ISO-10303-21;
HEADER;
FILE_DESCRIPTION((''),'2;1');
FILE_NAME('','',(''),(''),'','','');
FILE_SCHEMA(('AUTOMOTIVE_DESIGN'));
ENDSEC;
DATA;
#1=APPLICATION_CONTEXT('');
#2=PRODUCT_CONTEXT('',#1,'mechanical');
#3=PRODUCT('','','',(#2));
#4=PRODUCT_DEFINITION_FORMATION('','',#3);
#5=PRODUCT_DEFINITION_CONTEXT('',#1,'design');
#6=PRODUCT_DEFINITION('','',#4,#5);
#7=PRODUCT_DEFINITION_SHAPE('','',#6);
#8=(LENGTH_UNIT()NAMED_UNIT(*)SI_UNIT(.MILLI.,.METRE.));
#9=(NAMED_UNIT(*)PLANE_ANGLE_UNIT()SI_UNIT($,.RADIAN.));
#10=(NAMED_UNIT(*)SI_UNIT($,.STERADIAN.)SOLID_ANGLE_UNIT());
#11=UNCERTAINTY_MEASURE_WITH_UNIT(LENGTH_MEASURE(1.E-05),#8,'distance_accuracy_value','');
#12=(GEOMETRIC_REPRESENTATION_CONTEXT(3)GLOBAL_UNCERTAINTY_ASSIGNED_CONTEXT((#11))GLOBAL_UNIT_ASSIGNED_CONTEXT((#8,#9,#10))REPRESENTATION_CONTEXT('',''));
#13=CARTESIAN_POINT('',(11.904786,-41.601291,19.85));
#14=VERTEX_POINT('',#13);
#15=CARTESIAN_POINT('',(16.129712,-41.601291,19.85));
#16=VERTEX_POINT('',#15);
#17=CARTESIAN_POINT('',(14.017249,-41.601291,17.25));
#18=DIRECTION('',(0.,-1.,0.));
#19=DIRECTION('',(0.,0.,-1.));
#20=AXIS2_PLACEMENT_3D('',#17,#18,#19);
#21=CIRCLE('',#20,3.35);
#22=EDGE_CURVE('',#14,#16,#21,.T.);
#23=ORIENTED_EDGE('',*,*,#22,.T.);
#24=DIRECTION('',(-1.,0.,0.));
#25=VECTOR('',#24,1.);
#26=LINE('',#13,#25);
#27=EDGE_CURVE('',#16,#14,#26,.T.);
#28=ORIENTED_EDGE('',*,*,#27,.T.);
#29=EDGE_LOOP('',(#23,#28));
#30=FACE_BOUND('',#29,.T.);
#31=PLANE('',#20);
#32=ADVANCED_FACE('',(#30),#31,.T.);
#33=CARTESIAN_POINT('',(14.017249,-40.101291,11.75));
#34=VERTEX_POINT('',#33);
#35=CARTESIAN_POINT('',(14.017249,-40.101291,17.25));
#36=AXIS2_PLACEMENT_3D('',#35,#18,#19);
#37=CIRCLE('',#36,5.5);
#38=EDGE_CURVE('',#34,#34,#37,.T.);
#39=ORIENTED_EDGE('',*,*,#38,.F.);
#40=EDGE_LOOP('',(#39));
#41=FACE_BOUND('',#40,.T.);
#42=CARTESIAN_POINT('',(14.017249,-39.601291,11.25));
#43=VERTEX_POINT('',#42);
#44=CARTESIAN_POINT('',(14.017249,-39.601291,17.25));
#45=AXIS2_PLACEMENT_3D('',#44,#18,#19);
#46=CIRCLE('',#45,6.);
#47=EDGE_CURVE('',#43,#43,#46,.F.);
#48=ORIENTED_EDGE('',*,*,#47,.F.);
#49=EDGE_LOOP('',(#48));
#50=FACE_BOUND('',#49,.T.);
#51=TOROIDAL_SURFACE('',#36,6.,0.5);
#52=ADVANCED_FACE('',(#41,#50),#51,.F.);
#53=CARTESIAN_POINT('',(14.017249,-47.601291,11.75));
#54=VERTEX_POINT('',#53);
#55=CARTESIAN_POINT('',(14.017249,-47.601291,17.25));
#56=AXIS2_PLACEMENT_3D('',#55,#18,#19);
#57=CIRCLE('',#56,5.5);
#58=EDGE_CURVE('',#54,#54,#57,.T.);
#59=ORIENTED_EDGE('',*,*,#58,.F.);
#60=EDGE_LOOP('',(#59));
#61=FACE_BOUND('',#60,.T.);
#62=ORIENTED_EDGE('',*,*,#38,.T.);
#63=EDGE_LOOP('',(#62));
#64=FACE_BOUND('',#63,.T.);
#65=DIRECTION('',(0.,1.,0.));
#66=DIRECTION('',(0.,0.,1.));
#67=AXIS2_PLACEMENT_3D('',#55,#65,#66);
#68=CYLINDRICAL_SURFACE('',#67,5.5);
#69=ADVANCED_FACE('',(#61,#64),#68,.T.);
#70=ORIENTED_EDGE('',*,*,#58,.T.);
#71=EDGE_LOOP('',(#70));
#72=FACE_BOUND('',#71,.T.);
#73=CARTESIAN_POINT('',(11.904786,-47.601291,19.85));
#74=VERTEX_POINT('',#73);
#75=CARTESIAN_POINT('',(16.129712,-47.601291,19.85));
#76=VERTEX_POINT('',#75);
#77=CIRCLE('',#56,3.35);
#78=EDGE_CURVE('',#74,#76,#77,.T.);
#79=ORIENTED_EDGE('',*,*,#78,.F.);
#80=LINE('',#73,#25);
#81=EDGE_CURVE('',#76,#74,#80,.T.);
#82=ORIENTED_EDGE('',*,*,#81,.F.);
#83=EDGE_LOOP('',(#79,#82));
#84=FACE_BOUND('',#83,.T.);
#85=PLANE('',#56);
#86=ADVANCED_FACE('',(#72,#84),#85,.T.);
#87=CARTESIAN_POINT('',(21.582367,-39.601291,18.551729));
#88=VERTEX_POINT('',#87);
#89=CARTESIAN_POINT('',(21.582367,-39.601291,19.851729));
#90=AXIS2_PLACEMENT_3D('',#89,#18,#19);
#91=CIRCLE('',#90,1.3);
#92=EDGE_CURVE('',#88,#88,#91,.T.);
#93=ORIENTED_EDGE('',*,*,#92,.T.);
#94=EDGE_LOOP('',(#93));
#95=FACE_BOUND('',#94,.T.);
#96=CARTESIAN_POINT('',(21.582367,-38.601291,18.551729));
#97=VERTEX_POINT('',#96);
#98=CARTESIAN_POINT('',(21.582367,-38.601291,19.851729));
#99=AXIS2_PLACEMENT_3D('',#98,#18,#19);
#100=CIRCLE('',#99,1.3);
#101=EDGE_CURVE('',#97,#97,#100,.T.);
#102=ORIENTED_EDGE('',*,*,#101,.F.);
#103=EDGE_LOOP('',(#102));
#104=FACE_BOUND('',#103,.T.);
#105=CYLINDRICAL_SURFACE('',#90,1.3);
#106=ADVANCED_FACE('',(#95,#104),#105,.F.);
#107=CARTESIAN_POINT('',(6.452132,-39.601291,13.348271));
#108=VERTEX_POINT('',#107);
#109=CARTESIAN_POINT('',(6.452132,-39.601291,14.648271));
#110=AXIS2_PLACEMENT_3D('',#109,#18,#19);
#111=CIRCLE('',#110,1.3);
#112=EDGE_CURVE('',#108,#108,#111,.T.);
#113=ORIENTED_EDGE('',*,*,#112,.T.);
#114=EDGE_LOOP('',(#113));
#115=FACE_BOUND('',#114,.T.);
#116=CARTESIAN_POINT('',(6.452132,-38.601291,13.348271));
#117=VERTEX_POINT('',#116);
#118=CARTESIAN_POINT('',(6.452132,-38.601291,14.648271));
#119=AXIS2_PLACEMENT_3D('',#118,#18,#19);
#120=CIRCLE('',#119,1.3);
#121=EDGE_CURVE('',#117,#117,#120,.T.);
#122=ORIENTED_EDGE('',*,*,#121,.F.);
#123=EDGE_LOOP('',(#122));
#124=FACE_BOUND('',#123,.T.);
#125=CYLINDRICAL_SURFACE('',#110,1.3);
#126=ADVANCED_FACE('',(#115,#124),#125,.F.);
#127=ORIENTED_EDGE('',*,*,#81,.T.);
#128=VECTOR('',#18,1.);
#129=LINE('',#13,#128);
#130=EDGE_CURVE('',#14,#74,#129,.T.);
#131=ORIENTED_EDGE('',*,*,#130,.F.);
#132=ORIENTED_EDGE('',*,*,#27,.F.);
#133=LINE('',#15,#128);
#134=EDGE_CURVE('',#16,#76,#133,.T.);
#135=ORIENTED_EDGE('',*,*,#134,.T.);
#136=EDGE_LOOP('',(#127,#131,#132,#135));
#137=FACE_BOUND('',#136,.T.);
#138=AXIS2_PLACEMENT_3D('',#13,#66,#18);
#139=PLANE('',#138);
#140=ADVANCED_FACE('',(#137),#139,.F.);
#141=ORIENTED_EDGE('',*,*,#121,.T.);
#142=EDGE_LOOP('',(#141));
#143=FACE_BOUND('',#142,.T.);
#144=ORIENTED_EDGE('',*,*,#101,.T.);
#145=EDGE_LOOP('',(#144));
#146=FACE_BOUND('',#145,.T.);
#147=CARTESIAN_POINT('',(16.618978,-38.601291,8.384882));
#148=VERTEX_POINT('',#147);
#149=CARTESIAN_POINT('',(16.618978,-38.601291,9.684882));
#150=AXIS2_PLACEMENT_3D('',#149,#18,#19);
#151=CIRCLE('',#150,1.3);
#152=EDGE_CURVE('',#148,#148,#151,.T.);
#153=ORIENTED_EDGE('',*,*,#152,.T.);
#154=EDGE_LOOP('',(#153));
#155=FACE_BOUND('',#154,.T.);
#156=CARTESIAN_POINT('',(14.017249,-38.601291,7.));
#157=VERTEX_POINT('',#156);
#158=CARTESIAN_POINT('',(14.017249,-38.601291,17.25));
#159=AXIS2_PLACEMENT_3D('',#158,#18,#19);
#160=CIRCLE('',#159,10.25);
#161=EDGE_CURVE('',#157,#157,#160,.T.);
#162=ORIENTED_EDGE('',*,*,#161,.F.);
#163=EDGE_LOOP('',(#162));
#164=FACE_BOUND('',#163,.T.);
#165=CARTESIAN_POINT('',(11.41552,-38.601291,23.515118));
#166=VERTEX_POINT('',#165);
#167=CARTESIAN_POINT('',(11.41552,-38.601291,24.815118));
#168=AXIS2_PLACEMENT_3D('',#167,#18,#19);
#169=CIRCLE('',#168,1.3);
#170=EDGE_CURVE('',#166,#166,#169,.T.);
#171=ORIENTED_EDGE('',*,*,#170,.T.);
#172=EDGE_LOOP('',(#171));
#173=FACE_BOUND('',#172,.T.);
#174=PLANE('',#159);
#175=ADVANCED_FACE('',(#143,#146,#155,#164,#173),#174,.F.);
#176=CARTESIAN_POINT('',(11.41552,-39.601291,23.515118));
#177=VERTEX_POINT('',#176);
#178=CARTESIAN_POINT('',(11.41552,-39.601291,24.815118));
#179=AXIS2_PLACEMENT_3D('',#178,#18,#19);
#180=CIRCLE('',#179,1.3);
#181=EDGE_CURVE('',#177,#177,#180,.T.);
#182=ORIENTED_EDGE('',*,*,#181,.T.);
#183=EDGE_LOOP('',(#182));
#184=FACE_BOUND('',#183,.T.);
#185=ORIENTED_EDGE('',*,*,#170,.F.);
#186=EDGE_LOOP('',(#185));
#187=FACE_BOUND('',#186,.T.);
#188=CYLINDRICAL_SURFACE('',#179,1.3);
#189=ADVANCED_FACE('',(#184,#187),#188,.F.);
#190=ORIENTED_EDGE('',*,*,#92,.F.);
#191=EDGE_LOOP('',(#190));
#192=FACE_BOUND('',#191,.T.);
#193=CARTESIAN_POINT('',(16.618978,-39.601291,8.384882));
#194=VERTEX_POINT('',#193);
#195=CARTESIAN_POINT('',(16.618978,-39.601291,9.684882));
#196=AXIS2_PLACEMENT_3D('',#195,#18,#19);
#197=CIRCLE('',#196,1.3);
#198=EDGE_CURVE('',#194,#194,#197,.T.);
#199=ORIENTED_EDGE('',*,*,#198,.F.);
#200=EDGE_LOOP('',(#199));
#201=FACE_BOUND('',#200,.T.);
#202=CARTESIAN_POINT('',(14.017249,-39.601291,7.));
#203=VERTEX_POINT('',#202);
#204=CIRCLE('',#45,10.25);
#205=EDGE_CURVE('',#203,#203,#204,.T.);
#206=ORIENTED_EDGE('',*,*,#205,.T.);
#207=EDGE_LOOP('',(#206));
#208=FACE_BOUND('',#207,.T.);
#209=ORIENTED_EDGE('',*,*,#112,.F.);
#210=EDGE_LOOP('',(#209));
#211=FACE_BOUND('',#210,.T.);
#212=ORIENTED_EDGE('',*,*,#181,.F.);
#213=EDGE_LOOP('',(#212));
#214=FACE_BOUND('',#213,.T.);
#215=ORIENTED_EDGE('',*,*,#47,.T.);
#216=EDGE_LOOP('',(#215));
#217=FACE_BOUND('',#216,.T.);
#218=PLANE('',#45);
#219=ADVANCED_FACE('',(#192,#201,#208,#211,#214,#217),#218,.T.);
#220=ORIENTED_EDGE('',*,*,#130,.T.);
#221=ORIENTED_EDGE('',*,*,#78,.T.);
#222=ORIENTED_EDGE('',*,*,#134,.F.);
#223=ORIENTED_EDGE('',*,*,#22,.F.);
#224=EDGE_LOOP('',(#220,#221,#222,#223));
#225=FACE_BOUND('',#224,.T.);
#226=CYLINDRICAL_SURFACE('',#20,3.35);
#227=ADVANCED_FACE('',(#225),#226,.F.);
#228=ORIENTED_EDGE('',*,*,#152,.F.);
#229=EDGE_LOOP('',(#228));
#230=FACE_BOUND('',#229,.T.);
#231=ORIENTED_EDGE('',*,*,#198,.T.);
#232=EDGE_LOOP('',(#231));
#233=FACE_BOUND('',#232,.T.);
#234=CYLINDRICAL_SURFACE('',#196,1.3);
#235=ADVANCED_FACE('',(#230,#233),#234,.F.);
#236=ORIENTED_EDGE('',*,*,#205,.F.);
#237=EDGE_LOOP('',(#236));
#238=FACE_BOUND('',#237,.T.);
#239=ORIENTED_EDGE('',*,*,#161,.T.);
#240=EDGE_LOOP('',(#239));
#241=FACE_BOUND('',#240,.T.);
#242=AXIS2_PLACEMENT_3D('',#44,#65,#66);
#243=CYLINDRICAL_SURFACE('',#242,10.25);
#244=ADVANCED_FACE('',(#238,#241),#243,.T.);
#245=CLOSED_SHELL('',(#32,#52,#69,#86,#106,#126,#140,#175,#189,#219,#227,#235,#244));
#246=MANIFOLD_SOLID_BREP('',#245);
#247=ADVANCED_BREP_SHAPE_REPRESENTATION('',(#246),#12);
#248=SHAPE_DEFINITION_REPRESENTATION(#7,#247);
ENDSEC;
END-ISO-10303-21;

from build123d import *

# Parameters (mm, degrees)
ESQUISSE1_R                  = 10.25
BOSS_EXTRU_1_DEPTH           = 1
D_GAGEMENT_M21_D             = 2.6
R_P_TITION_CIRCULAIRE1_COUNT = 4
ESQUISSE9_R                  = 5.5
BOSS_EXTRU_4_DEPTH           = 8
ENL_V_MAT_EXTRU_1_DEPTH      = 6
CONG_1_R                     = 0.5


with BuildPart() as part:
    # Esquisse1 → Boss.-Extru.1 (new body)
    with BuildSketch(Plane.XZ.offset(38.601290575)):
        with Locations(Location((14.017249305, 17.25, 0), (0, 0, 270))):
            Circle(ESQUISSE1_R)
    extrude(amount=BOSS_EXTRU_1_DEPTH)

    # Dégagement M21 (through all)
    with Locations(Plane(origin=(0, -39.601290575, 0), x_dir=(-1, 0, 0), z_dir=(0, -1, 0))):
        with Locations((-11.415520349, -24.815117741)):
            d_gagement_m21 = Hole(D_GAGEMENT_M21_D / 2)

    # Répétition circulaire1: Dégagement M21 ×4 about axis
    r_p_tition_circulaire1_axis = Axis((14.017249305, 0, 17.25), (0, 1, 0))
    for i in range(1, R_P_TITION_CIRCULAIRE1_COUNT):
        add(d_gagement_m21.rotate(r_p_tition_circulaire1_axis, i * 360 / R_P_TITION_CIRCULAIRE1_COUNT), mode=Mode.SUBTRACT)

    # Esquisse9 → Boss.-Extru.4 (add)
    with BuildSketch(Plane(origin=(0, -39.601290575, 0), x_dir=(-1, 0, 0), z_dir=(0, -1, 0))):
        with Locations(Location((-14.017249305, -17.25, 0), (0, 0, 90))):
            Circle(ESQUISSE9_R)
    extrude(amount=BOSS_EXTRU_4_DEPTH)

    # Esquisse10 → Enlèv. mat.-Extru.1 (cut)
    with BuildSketch(Plane.XZ.offset(47.601290575)):
        with BuildLine():
            Line((11.904786288, 19.85), (16.129712323, 19.85))
            ThreePointArc((16.129712323, 19.85), (14.017249305, 13.9), (11.904786288, 19.85))
        make_face()
    extrude(amount=-ENL_V_MAT_EXTRU_1_DEPTH, mode=Mode.SUBTRACT)

    # Congé1
    cong_1_edges = [part.edges().sort_by_distance(p)[0] for p in [
        (14.017249305, -39.601290575, 22.75),
    ]]
    fillet(cong_1_edges, radius=CONG_1_R)


solid = part.part
